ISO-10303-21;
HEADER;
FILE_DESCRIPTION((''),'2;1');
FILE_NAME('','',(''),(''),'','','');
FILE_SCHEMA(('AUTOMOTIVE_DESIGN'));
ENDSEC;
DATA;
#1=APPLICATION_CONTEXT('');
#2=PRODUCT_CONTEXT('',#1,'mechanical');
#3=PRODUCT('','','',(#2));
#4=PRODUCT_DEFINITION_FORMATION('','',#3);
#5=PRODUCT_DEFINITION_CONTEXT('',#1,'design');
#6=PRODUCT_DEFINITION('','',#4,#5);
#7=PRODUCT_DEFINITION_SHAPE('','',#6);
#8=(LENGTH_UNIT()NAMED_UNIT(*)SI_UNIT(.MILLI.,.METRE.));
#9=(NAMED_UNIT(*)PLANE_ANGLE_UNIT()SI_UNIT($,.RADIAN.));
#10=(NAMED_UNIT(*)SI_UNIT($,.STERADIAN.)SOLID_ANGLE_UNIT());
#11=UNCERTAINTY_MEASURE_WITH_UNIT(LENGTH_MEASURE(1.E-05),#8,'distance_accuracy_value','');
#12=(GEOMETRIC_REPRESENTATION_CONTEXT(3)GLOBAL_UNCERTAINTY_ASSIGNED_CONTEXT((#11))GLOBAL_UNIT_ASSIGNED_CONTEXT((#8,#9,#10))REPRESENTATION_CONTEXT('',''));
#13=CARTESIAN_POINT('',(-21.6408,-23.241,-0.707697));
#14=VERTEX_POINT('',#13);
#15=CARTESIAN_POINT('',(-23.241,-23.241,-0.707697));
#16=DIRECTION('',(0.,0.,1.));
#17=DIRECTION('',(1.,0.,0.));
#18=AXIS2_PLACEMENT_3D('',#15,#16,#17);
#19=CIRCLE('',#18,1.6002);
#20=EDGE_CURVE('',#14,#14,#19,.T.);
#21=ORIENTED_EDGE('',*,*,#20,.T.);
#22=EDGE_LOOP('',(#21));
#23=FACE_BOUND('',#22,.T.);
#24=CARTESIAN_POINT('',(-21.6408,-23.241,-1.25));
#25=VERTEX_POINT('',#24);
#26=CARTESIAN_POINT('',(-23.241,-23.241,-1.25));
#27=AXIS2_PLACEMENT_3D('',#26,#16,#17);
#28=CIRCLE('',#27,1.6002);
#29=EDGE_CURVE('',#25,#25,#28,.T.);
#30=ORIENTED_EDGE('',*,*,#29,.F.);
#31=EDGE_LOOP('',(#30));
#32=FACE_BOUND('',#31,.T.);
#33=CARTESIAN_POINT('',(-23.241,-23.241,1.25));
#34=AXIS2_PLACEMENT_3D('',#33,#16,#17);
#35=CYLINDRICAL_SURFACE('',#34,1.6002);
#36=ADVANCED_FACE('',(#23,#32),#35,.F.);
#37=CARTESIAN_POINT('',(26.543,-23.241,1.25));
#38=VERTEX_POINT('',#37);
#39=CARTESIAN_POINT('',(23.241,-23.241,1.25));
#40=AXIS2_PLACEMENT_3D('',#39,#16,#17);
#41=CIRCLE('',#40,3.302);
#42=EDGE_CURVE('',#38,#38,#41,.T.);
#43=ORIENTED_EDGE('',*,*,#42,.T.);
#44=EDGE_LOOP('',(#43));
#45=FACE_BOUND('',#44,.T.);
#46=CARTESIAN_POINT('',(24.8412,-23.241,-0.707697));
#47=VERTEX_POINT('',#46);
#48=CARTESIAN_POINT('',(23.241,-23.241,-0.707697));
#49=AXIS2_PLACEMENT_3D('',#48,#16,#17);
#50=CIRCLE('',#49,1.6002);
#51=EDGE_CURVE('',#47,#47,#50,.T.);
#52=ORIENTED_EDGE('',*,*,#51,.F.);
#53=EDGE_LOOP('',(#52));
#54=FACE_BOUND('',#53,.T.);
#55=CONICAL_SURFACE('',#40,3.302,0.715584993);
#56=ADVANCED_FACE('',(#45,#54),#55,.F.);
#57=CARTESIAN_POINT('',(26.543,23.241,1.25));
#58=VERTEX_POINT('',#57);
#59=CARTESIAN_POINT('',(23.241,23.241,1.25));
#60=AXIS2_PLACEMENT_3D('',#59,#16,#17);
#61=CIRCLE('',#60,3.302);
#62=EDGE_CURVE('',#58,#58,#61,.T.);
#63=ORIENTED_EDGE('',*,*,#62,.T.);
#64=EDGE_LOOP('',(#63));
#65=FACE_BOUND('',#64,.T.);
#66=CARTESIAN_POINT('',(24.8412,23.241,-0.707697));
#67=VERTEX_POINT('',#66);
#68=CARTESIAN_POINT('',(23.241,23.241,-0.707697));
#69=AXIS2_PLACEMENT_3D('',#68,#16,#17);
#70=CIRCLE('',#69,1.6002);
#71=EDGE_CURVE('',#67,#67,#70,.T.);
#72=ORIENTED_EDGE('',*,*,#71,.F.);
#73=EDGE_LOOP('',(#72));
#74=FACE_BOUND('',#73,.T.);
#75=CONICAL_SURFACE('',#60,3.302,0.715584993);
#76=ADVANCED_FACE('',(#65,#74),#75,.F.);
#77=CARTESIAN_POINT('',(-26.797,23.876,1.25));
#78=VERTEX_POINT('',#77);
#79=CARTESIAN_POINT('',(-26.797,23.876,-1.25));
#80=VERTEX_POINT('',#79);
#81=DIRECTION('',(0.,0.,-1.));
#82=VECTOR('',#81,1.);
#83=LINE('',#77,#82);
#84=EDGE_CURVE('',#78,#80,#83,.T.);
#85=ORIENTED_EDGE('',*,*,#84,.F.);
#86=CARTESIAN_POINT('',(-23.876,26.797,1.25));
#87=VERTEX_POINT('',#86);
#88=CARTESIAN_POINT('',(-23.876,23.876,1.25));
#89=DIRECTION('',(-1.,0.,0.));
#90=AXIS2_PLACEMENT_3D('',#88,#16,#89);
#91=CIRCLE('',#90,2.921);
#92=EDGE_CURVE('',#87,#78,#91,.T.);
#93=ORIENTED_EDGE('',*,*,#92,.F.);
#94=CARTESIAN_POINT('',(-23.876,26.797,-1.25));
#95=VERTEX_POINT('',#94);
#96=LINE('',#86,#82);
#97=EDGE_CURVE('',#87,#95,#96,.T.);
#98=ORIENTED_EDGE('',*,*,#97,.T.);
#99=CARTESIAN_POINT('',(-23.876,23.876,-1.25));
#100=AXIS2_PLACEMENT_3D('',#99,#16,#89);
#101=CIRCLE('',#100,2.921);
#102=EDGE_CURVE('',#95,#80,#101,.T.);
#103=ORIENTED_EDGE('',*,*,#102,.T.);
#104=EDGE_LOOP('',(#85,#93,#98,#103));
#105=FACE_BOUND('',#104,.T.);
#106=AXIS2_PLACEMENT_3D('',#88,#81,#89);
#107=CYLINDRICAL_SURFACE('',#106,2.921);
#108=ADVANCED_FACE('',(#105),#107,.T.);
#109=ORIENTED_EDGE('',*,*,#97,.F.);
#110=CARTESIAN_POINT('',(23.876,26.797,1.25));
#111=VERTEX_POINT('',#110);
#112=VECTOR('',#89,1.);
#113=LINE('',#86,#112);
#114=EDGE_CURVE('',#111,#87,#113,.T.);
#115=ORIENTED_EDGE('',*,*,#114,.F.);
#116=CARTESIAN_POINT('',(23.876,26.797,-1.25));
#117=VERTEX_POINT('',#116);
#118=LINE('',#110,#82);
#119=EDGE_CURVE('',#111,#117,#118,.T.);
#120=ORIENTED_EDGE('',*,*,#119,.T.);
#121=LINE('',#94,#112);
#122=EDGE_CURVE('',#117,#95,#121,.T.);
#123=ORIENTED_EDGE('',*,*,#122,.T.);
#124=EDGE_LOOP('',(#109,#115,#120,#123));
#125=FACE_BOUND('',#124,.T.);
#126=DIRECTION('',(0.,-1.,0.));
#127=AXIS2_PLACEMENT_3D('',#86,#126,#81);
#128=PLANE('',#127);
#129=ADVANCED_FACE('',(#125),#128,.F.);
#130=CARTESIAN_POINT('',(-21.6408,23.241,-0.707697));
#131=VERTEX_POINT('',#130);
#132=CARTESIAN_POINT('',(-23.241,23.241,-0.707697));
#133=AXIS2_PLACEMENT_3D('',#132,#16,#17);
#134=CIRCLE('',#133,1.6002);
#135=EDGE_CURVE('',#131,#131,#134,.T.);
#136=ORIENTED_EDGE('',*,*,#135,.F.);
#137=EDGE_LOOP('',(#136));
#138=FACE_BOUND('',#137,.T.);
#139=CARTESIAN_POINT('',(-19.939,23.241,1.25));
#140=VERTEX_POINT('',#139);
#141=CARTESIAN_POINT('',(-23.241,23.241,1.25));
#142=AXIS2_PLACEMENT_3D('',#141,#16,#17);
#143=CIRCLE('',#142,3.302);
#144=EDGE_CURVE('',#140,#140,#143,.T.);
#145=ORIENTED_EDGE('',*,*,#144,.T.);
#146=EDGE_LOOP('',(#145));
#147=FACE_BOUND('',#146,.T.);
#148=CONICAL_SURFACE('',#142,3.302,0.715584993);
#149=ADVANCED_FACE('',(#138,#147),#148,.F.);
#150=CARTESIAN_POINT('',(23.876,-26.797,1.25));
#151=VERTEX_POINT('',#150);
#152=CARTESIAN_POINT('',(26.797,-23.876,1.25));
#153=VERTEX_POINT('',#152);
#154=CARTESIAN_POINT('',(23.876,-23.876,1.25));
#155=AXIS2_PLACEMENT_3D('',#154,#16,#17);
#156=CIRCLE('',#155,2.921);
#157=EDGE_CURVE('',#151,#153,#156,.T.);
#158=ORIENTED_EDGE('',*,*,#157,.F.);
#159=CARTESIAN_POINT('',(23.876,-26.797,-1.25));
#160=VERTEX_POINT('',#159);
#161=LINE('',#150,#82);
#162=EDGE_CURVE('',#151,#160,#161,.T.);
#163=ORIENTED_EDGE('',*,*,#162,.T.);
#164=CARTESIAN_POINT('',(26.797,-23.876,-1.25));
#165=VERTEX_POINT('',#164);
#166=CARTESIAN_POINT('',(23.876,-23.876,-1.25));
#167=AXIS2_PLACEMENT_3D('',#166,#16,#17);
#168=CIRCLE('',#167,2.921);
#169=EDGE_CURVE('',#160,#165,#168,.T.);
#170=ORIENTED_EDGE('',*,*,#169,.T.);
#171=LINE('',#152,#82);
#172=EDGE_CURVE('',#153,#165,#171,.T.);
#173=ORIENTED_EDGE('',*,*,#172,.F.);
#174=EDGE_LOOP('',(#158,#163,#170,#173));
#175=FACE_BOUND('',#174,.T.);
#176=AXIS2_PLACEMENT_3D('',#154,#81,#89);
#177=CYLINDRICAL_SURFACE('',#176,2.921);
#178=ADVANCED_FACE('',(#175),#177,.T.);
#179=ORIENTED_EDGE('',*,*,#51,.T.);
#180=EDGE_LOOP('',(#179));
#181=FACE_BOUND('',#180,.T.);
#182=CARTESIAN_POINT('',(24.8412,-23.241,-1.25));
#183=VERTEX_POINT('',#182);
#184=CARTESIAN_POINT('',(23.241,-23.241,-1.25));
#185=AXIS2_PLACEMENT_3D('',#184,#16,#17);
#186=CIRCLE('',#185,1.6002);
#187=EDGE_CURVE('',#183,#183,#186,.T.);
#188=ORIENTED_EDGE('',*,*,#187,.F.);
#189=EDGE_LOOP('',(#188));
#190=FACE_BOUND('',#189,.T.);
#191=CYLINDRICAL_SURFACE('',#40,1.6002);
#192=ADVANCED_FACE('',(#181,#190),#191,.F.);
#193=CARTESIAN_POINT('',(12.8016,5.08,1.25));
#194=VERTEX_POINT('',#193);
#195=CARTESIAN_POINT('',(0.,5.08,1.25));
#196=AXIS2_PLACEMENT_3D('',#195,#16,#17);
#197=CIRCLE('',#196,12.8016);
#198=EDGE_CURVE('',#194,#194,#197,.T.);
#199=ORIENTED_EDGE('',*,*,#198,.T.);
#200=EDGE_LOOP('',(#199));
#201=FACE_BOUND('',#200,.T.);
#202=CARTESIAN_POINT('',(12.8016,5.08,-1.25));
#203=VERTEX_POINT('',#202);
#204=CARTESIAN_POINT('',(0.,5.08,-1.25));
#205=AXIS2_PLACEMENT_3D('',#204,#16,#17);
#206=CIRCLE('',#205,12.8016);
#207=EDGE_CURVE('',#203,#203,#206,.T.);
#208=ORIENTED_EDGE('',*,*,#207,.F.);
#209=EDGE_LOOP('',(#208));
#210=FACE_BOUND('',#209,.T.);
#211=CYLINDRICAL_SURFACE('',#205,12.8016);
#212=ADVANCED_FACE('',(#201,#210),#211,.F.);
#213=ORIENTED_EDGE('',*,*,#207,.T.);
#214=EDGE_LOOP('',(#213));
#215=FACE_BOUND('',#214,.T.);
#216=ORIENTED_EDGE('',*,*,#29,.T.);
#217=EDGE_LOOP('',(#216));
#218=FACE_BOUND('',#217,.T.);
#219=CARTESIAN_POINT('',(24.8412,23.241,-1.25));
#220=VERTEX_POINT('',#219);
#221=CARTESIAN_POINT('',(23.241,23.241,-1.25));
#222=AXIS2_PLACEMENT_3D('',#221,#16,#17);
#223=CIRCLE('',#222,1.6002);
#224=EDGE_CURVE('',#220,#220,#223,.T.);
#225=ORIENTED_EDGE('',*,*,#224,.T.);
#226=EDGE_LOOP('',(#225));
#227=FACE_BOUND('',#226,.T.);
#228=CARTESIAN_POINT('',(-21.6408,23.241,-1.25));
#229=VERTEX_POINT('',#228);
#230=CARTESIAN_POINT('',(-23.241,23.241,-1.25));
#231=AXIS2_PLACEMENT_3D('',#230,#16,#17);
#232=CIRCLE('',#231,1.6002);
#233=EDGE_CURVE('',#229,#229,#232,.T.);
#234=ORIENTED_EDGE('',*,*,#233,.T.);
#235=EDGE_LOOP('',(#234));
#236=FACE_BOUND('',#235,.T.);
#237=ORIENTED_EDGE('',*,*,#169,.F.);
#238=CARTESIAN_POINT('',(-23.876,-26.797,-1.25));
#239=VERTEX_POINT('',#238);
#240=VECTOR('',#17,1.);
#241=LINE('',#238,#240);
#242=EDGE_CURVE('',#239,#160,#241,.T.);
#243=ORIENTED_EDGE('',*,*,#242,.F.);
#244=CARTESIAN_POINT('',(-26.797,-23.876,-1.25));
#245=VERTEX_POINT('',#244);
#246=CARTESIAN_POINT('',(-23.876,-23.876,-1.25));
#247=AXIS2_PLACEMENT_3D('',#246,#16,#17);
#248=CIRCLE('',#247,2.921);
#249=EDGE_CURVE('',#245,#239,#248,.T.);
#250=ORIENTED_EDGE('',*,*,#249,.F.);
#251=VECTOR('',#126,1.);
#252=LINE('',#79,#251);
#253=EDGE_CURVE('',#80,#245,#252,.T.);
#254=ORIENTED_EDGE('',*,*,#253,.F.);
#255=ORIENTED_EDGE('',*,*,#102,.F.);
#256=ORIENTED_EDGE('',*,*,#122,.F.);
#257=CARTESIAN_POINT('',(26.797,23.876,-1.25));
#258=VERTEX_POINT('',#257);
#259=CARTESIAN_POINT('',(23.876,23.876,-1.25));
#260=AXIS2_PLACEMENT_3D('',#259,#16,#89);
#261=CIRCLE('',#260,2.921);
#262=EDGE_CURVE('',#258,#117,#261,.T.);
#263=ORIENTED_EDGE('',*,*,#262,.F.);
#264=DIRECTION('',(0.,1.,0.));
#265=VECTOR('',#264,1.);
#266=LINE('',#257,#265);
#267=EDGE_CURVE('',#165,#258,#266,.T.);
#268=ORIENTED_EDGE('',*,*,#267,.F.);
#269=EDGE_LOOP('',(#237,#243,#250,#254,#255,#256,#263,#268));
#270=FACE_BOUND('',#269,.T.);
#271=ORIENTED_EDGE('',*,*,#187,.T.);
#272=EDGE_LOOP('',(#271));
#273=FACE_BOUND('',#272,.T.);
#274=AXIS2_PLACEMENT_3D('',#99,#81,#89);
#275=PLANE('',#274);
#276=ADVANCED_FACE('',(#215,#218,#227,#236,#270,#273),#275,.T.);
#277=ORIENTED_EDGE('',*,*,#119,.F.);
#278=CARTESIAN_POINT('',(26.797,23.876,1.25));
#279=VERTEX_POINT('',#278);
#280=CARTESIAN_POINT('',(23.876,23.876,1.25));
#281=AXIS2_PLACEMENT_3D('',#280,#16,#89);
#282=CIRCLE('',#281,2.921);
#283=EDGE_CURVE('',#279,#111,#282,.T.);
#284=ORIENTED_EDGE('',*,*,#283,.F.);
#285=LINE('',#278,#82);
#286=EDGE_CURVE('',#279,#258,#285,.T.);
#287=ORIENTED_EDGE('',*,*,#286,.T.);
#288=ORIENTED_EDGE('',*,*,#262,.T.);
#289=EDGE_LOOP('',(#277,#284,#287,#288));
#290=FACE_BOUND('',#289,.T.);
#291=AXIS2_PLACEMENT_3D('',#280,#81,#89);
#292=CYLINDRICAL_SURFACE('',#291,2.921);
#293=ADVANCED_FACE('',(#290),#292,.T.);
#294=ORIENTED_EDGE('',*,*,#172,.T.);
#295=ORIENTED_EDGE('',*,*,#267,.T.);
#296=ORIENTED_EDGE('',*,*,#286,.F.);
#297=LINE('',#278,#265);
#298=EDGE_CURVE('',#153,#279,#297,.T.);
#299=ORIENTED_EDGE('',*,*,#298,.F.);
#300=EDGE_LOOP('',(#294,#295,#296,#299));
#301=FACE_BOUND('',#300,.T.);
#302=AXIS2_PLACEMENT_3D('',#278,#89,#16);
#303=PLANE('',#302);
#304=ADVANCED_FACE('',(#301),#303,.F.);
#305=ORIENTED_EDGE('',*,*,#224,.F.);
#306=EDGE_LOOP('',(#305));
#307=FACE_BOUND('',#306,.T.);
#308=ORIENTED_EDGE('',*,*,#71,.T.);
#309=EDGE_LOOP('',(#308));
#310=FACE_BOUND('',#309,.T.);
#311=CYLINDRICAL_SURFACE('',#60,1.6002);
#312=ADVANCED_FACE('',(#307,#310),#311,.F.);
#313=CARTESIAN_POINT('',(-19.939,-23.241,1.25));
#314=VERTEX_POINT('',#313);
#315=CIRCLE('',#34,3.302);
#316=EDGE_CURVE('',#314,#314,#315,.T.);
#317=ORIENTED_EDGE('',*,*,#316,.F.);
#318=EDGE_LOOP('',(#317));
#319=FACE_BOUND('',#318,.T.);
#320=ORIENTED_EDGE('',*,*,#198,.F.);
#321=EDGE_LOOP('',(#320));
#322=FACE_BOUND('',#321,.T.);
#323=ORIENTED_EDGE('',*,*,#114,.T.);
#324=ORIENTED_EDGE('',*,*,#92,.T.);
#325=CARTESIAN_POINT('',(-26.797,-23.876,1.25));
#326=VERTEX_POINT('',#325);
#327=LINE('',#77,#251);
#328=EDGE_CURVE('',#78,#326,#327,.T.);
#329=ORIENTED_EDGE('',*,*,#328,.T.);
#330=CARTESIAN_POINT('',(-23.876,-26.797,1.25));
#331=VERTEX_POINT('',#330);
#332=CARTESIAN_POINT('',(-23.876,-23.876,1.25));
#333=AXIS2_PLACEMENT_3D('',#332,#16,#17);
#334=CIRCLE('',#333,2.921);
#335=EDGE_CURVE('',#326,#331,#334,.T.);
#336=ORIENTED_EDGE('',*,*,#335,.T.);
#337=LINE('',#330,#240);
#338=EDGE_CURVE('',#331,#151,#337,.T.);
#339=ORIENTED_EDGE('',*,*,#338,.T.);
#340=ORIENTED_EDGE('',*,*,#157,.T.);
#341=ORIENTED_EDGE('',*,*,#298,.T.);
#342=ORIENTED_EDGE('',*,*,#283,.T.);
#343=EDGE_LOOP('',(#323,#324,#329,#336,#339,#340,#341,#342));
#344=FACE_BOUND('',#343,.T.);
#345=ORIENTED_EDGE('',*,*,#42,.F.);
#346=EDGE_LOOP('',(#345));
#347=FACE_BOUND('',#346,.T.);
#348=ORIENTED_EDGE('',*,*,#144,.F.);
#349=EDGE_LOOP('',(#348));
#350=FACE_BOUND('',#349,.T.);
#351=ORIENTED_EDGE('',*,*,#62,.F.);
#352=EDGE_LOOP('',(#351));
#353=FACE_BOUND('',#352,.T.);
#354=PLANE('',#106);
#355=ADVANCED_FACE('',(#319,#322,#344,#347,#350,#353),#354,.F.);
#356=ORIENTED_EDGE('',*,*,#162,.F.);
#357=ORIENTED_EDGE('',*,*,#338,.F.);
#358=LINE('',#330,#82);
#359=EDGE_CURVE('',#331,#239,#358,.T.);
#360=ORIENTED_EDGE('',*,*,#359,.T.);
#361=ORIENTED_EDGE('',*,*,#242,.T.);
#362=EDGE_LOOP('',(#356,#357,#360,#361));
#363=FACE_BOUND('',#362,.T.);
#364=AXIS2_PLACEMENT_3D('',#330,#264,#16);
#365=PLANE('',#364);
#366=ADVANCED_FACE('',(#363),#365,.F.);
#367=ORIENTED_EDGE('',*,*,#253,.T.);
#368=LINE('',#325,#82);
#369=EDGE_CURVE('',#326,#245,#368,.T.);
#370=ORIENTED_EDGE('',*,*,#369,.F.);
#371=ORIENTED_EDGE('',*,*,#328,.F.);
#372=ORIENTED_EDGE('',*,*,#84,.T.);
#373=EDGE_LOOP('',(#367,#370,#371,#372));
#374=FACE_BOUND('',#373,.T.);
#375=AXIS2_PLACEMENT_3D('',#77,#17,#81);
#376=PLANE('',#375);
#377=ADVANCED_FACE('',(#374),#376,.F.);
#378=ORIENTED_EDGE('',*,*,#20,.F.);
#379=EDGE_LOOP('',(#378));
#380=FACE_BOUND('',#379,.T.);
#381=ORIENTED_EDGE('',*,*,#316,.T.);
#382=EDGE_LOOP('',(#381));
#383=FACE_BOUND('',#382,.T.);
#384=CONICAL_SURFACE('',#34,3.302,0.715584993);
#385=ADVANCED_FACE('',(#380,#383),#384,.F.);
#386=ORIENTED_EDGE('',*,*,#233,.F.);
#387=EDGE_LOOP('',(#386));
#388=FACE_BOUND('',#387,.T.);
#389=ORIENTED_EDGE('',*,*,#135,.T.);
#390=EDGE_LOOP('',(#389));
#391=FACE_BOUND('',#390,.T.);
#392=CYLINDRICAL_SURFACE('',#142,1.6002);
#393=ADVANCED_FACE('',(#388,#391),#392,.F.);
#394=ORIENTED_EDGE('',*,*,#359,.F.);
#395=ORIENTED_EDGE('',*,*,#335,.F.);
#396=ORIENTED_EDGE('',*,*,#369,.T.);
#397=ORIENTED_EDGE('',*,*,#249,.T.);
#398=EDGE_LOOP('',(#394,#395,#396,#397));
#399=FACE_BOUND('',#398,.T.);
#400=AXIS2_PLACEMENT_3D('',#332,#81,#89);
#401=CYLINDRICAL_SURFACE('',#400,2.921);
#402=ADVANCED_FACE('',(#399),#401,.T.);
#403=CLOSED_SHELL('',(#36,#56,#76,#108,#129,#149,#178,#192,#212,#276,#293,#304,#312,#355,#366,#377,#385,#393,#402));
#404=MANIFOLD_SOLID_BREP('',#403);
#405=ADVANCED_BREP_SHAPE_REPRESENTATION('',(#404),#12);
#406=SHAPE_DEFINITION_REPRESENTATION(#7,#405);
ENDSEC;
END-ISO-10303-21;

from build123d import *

# Parameters (mm, degrees)
BOSS_EXTRUDE1_DEPTH                           = 1.25
CSK_FOR_4_FLAT_HEAD_MACHINE_SCREW1_AT_2_COUNT = 2
CSK_FOR_4_FLAT_HEAD_MACHINE_SCREW1_AT_2_PITCH = 65.735474806
CSK_FOR_4_FLAT_HEAD_MACHINE_SCREW1_AT_3_COUNT = 2
CSK_FOR_4_FLAT_HEAD_MACHINE_SCREW1_AT_3_PITCH = 46.482
CSK_FOR_4_FLAT_HEAD_MACHINE_SCREW1_AT_4_COUNT = 2
CSK_FOR_4_FLAT_HEAD_MACHINE_SCREW1_AT_4_PITCH = 46.482
SKETCH7_R                                     = 12.8016
CUT_EXTRUDE1_DEPTH                            = 3.5


with BuildPart() as part:
    # Sketch1 → Boss-Extrude1 (new body, symmetric)
    with BuildSketch(Plane.XY):
        with BuildLine():
            Line((-23.876, 26.797), (23.876, 26.797))
            ThreePointArc((23.876, 26.797), (25.941458908, 25.941458908), (26.797, 23.876))
            Line((26.797, 23.876), (26.797, -23.876))
            ThreePointArc((26.797, -23.876), (25.941458908, -25.941458908), (23.876, -26.797))
            Line((23.876, -26.797), (-23.876, -26.797))
            ThreePointArc((-23.876, -26.797), (-25.941458908, -25.941458908), (-26.797, -23.876))
            Line((-26.797, -23.876), (-26.797, 23.876))
            ThreePointArc((-26.797, 23.876), (-25.941458908, 25.941458908), (-23.876, 26.797))
        make_face()
    extrude(amount=BOSS_EXTRUDE1_DEPTH, both=True)

    # Sketch5 → CSK for #4 Flat Head Machine Screw1 (revolve, cut)
    with BuildSketch(Plane(origin=(-23.241, 23.241, 1.25), x_dir=(0, -1, 0), z_dir=(1, 0, 0))):
        Polygon((0, 0), (0, 2.5), (1.6002, 2.5), (1.6002, 1.957696955), (3.302, 0), align=None)
    csk_for_4_flat_head_machine_screw1 = revolve(axis=Axis((-23.241, 23.241, 7.6), (0, 0, -1)), mode=Mode.SUBTRACT)

    # CSK for #4 Flat Head Machine Screw1 at 2: CSK for #4 Flat Head Machine Screw1 ×2
    with Locations(*[Vector(0.707106781, -0.707106781, 0) * (i * CSK_FOR_4_FLAT_HEAD_MACHINE_SCREW1_AT_2_PITCH) for i in range(1, CSK_FOR_4_FLAT_HEAD_MACHINE_SCREW1_AT_2_COUNT)]):
        add(csk_for_4_flat_head_machine_screw1, mode=Mode.SUBTRACT)

    # CSK for #4 Flat Head Machine Screw1 at 3: CSK for #4 Flat Head Machine Screw1 ×2
    with Locations(*[(i * CSK_FOR_4_FLAT_HEAD_MACHINE_SCREW1_AT_3_PITCH, 0, 0) for i in range(1, CSK_FOR_4_FLAT_HEAD_MACHINE_SCREW1_AT_3_COUNT)]):
        add(csk_for_4_flat_head_machine_screw1, mode=Mode.SUBTRACT)

    # CSK for #4 Flat Head Machine Screw1 at 4: CSK for #4 Flat Head Machine Screw1 ×2
    with Locations(*[(0, -i * CSK_FOR_4_FLAT_HEAD_MACHINE_SCREW1_AT_4_PITCH, 0) for i in range(1, CSK_FOR_4_FLAT_HEAD_MACHINE_SCREW1_AT_4_COUNT)]):
        add(csk_for_4_flat_head_machine_screw1, mode=Mode.SUBTRACT)

    # Sketch7 → Cut-Extrude1 (cut, through all)
    with BuildSketch(Plane.XY.offset(1.25)):
        with Locations((0, 5.08)):
            Circle(SKETCH7_R)
    extrude(amount=-CUT_EXTRUDE1_DEPTH, mode=Mode.SUBTRACT)


solid = part.part
